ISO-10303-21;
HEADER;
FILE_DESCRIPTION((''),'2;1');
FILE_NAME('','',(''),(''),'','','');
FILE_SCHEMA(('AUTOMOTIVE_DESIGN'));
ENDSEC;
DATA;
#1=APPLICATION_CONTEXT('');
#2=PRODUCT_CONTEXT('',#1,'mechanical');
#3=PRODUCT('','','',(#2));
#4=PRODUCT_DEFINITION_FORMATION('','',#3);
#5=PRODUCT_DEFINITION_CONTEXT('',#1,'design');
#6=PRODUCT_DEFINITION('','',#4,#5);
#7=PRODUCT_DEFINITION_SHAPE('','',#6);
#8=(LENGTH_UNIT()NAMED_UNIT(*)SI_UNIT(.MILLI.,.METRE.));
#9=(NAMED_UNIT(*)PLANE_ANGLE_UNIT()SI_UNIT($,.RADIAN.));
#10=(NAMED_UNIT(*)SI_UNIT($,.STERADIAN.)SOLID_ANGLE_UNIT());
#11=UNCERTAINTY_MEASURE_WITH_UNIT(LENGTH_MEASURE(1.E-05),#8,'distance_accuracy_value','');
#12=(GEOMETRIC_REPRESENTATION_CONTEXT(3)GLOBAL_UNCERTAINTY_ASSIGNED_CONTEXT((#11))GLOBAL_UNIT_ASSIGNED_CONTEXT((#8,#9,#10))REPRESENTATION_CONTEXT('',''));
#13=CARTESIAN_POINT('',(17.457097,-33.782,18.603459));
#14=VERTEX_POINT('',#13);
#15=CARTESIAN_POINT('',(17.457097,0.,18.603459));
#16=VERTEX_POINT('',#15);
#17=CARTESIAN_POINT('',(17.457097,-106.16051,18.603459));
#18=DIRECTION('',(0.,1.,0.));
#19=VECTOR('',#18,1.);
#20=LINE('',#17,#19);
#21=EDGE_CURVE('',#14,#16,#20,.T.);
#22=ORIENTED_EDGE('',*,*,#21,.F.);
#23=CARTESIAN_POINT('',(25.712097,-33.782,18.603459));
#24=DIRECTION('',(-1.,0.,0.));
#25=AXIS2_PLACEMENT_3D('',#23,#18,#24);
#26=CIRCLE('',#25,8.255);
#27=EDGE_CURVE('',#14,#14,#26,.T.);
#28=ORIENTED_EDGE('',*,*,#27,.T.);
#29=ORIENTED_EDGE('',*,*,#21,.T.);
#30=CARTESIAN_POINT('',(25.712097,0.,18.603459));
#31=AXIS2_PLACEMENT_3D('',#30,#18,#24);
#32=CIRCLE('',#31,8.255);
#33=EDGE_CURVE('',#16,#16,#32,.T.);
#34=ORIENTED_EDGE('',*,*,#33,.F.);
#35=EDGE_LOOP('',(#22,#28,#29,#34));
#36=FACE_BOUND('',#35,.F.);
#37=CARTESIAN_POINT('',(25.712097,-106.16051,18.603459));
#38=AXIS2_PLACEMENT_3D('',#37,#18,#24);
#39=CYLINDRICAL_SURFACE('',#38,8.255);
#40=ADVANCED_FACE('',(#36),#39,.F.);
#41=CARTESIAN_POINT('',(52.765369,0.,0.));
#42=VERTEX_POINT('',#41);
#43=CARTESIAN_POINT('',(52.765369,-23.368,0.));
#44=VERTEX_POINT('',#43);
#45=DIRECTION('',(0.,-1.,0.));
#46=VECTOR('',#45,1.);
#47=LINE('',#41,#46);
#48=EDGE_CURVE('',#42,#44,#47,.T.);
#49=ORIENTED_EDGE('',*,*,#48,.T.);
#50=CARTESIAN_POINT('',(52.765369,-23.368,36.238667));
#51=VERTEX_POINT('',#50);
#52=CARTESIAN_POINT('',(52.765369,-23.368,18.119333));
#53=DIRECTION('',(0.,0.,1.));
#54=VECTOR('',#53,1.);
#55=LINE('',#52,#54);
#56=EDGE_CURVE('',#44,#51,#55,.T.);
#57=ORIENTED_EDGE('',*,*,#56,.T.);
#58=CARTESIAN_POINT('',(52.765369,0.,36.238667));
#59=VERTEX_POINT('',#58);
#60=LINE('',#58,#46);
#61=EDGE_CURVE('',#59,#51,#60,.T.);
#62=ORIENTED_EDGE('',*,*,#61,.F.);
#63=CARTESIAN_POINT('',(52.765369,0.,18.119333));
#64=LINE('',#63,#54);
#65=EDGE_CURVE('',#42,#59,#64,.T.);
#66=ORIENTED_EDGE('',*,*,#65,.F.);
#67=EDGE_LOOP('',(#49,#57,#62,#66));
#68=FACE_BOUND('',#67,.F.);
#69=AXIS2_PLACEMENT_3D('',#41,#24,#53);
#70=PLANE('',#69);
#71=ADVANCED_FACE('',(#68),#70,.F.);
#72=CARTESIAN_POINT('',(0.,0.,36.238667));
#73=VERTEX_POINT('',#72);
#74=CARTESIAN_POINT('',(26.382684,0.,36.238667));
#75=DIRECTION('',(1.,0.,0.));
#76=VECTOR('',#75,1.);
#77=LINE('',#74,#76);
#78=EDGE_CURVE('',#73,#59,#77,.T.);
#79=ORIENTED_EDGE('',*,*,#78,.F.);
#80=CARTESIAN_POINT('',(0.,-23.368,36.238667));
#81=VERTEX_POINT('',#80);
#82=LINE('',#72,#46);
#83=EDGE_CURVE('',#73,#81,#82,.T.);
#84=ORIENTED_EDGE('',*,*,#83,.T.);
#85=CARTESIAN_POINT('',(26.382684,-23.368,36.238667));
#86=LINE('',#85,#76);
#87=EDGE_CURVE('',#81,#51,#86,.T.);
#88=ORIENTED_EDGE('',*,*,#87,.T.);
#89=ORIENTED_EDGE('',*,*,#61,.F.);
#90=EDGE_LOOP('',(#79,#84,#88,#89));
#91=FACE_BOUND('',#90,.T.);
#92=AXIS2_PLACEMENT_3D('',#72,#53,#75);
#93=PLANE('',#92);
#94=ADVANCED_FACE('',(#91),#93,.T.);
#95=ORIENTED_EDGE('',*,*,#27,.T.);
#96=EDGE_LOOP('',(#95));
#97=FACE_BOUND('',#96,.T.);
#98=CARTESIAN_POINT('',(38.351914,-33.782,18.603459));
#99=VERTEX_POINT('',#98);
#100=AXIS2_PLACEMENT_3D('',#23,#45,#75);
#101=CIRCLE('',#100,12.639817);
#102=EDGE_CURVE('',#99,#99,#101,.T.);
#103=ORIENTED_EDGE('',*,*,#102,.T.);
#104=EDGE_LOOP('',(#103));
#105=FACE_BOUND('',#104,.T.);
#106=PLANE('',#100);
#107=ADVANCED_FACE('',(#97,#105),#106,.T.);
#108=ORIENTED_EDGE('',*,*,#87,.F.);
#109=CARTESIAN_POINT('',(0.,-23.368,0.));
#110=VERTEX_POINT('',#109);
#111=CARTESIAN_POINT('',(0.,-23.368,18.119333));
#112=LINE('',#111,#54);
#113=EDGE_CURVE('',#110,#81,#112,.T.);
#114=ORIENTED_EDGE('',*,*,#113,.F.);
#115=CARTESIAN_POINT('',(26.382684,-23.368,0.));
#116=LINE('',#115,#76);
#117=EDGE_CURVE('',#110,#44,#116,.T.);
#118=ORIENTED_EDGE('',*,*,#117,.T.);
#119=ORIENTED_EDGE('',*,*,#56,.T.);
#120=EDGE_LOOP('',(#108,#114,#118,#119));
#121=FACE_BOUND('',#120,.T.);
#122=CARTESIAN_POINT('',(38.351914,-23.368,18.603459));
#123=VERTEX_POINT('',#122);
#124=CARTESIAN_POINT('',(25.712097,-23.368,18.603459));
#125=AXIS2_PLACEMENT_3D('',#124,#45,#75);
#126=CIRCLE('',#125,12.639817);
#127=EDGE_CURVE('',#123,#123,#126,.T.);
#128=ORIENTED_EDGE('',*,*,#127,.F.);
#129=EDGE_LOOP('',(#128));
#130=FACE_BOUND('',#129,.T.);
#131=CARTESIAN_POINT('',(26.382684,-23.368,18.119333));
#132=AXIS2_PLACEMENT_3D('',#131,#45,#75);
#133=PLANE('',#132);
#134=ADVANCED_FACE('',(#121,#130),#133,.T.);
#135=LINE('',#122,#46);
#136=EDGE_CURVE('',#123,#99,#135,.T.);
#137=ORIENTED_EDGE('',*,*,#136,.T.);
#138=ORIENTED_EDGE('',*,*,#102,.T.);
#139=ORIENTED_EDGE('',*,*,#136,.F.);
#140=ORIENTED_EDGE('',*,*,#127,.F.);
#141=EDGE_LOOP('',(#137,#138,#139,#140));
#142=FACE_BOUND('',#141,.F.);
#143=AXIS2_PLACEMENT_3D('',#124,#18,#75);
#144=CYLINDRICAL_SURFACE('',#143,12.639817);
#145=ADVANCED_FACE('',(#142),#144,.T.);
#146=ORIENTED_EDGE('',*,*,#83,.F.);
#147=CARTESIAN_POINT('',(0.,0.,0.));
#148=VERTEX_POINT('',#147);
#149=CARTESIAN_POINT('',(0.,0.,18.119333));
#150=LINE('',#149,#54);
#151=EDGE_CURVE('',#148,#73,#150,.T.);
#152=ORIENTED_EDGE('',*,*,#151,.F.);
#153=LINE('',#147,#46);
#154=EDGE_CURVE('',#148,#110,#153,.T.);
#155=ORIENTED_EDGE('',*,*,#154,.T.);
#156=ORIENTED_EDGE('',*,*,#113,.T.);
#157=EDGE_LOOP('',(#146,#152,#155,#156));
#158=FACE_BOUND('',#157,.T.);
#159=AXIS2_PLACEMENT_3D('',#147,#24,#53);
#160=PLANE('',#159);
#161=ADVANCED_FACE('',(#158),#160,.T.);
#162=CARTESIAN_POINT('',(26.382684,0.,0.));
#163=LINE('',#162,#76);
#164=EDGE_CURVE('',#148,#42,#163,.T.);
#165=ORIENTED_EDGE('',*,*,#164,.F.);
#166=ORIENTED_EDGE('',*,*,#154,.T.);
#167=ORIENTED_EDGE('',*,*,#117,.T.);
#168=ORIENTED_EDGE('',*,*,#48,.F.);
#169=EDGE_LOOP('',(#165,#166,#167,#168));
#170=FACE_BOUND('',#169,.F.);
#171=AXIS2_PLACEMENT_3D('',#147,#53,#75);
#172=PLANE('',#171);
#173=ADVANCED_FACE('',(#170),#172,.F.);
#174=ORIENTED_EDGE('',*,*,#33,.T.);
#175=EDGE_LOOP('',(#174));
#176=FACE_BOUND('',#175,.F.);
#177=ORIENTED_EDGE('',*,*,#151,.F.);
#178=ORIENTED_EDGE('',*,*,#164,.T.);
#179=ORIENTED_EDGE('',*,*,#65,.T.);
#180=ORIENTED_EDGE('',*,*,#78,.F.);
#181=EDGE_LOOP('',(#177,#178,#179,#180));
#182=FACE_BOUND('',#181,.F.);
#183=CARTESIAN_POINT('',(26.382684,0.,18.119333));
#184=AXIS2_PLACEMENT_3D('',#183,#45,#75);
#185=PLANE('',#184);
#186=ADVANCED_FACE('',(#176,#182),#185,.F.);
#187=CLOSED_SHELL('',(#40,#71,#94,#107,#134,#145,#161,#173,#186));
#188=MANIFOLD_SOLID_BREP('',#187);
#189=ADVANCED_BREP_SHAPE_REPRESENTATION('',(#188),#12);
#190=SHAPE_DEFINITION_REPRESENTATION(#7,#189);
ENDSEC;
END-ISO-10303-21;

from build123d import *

# Parameters (mm, degrees)
F0_W     = 52.765369
F0_H     = 36.238667
F1_DEPTH = 23.368
F2_R     = 12.639817
F3_DEPTH = 10.414
F5_D     = 16.51


with BuildPart() as f1:
    # F0 (on Front) → F1 (new body)
    with BuildSketch(Plane.XZ):
        with Locations((26.382684, 18.119333)):
            Rectangle(F0_W, F0_H)
    extrude(amount=F1_DEPTH)

    # F2 (on face) → F3 (join)
    with BuildSketch(Plane.XZ.offset(23.368)):
        with Locations((25.712097, 18.603459)):
            Circle(F2_R)
    extrude(amount=F3_DEPTH)

    # F5 (through all)
    with Locations(Plane.XZ.offset(33.782)):
        with Locations((25.712097, 18.603459)):
            Hole(F5_D / 2)


solid = f1.part
